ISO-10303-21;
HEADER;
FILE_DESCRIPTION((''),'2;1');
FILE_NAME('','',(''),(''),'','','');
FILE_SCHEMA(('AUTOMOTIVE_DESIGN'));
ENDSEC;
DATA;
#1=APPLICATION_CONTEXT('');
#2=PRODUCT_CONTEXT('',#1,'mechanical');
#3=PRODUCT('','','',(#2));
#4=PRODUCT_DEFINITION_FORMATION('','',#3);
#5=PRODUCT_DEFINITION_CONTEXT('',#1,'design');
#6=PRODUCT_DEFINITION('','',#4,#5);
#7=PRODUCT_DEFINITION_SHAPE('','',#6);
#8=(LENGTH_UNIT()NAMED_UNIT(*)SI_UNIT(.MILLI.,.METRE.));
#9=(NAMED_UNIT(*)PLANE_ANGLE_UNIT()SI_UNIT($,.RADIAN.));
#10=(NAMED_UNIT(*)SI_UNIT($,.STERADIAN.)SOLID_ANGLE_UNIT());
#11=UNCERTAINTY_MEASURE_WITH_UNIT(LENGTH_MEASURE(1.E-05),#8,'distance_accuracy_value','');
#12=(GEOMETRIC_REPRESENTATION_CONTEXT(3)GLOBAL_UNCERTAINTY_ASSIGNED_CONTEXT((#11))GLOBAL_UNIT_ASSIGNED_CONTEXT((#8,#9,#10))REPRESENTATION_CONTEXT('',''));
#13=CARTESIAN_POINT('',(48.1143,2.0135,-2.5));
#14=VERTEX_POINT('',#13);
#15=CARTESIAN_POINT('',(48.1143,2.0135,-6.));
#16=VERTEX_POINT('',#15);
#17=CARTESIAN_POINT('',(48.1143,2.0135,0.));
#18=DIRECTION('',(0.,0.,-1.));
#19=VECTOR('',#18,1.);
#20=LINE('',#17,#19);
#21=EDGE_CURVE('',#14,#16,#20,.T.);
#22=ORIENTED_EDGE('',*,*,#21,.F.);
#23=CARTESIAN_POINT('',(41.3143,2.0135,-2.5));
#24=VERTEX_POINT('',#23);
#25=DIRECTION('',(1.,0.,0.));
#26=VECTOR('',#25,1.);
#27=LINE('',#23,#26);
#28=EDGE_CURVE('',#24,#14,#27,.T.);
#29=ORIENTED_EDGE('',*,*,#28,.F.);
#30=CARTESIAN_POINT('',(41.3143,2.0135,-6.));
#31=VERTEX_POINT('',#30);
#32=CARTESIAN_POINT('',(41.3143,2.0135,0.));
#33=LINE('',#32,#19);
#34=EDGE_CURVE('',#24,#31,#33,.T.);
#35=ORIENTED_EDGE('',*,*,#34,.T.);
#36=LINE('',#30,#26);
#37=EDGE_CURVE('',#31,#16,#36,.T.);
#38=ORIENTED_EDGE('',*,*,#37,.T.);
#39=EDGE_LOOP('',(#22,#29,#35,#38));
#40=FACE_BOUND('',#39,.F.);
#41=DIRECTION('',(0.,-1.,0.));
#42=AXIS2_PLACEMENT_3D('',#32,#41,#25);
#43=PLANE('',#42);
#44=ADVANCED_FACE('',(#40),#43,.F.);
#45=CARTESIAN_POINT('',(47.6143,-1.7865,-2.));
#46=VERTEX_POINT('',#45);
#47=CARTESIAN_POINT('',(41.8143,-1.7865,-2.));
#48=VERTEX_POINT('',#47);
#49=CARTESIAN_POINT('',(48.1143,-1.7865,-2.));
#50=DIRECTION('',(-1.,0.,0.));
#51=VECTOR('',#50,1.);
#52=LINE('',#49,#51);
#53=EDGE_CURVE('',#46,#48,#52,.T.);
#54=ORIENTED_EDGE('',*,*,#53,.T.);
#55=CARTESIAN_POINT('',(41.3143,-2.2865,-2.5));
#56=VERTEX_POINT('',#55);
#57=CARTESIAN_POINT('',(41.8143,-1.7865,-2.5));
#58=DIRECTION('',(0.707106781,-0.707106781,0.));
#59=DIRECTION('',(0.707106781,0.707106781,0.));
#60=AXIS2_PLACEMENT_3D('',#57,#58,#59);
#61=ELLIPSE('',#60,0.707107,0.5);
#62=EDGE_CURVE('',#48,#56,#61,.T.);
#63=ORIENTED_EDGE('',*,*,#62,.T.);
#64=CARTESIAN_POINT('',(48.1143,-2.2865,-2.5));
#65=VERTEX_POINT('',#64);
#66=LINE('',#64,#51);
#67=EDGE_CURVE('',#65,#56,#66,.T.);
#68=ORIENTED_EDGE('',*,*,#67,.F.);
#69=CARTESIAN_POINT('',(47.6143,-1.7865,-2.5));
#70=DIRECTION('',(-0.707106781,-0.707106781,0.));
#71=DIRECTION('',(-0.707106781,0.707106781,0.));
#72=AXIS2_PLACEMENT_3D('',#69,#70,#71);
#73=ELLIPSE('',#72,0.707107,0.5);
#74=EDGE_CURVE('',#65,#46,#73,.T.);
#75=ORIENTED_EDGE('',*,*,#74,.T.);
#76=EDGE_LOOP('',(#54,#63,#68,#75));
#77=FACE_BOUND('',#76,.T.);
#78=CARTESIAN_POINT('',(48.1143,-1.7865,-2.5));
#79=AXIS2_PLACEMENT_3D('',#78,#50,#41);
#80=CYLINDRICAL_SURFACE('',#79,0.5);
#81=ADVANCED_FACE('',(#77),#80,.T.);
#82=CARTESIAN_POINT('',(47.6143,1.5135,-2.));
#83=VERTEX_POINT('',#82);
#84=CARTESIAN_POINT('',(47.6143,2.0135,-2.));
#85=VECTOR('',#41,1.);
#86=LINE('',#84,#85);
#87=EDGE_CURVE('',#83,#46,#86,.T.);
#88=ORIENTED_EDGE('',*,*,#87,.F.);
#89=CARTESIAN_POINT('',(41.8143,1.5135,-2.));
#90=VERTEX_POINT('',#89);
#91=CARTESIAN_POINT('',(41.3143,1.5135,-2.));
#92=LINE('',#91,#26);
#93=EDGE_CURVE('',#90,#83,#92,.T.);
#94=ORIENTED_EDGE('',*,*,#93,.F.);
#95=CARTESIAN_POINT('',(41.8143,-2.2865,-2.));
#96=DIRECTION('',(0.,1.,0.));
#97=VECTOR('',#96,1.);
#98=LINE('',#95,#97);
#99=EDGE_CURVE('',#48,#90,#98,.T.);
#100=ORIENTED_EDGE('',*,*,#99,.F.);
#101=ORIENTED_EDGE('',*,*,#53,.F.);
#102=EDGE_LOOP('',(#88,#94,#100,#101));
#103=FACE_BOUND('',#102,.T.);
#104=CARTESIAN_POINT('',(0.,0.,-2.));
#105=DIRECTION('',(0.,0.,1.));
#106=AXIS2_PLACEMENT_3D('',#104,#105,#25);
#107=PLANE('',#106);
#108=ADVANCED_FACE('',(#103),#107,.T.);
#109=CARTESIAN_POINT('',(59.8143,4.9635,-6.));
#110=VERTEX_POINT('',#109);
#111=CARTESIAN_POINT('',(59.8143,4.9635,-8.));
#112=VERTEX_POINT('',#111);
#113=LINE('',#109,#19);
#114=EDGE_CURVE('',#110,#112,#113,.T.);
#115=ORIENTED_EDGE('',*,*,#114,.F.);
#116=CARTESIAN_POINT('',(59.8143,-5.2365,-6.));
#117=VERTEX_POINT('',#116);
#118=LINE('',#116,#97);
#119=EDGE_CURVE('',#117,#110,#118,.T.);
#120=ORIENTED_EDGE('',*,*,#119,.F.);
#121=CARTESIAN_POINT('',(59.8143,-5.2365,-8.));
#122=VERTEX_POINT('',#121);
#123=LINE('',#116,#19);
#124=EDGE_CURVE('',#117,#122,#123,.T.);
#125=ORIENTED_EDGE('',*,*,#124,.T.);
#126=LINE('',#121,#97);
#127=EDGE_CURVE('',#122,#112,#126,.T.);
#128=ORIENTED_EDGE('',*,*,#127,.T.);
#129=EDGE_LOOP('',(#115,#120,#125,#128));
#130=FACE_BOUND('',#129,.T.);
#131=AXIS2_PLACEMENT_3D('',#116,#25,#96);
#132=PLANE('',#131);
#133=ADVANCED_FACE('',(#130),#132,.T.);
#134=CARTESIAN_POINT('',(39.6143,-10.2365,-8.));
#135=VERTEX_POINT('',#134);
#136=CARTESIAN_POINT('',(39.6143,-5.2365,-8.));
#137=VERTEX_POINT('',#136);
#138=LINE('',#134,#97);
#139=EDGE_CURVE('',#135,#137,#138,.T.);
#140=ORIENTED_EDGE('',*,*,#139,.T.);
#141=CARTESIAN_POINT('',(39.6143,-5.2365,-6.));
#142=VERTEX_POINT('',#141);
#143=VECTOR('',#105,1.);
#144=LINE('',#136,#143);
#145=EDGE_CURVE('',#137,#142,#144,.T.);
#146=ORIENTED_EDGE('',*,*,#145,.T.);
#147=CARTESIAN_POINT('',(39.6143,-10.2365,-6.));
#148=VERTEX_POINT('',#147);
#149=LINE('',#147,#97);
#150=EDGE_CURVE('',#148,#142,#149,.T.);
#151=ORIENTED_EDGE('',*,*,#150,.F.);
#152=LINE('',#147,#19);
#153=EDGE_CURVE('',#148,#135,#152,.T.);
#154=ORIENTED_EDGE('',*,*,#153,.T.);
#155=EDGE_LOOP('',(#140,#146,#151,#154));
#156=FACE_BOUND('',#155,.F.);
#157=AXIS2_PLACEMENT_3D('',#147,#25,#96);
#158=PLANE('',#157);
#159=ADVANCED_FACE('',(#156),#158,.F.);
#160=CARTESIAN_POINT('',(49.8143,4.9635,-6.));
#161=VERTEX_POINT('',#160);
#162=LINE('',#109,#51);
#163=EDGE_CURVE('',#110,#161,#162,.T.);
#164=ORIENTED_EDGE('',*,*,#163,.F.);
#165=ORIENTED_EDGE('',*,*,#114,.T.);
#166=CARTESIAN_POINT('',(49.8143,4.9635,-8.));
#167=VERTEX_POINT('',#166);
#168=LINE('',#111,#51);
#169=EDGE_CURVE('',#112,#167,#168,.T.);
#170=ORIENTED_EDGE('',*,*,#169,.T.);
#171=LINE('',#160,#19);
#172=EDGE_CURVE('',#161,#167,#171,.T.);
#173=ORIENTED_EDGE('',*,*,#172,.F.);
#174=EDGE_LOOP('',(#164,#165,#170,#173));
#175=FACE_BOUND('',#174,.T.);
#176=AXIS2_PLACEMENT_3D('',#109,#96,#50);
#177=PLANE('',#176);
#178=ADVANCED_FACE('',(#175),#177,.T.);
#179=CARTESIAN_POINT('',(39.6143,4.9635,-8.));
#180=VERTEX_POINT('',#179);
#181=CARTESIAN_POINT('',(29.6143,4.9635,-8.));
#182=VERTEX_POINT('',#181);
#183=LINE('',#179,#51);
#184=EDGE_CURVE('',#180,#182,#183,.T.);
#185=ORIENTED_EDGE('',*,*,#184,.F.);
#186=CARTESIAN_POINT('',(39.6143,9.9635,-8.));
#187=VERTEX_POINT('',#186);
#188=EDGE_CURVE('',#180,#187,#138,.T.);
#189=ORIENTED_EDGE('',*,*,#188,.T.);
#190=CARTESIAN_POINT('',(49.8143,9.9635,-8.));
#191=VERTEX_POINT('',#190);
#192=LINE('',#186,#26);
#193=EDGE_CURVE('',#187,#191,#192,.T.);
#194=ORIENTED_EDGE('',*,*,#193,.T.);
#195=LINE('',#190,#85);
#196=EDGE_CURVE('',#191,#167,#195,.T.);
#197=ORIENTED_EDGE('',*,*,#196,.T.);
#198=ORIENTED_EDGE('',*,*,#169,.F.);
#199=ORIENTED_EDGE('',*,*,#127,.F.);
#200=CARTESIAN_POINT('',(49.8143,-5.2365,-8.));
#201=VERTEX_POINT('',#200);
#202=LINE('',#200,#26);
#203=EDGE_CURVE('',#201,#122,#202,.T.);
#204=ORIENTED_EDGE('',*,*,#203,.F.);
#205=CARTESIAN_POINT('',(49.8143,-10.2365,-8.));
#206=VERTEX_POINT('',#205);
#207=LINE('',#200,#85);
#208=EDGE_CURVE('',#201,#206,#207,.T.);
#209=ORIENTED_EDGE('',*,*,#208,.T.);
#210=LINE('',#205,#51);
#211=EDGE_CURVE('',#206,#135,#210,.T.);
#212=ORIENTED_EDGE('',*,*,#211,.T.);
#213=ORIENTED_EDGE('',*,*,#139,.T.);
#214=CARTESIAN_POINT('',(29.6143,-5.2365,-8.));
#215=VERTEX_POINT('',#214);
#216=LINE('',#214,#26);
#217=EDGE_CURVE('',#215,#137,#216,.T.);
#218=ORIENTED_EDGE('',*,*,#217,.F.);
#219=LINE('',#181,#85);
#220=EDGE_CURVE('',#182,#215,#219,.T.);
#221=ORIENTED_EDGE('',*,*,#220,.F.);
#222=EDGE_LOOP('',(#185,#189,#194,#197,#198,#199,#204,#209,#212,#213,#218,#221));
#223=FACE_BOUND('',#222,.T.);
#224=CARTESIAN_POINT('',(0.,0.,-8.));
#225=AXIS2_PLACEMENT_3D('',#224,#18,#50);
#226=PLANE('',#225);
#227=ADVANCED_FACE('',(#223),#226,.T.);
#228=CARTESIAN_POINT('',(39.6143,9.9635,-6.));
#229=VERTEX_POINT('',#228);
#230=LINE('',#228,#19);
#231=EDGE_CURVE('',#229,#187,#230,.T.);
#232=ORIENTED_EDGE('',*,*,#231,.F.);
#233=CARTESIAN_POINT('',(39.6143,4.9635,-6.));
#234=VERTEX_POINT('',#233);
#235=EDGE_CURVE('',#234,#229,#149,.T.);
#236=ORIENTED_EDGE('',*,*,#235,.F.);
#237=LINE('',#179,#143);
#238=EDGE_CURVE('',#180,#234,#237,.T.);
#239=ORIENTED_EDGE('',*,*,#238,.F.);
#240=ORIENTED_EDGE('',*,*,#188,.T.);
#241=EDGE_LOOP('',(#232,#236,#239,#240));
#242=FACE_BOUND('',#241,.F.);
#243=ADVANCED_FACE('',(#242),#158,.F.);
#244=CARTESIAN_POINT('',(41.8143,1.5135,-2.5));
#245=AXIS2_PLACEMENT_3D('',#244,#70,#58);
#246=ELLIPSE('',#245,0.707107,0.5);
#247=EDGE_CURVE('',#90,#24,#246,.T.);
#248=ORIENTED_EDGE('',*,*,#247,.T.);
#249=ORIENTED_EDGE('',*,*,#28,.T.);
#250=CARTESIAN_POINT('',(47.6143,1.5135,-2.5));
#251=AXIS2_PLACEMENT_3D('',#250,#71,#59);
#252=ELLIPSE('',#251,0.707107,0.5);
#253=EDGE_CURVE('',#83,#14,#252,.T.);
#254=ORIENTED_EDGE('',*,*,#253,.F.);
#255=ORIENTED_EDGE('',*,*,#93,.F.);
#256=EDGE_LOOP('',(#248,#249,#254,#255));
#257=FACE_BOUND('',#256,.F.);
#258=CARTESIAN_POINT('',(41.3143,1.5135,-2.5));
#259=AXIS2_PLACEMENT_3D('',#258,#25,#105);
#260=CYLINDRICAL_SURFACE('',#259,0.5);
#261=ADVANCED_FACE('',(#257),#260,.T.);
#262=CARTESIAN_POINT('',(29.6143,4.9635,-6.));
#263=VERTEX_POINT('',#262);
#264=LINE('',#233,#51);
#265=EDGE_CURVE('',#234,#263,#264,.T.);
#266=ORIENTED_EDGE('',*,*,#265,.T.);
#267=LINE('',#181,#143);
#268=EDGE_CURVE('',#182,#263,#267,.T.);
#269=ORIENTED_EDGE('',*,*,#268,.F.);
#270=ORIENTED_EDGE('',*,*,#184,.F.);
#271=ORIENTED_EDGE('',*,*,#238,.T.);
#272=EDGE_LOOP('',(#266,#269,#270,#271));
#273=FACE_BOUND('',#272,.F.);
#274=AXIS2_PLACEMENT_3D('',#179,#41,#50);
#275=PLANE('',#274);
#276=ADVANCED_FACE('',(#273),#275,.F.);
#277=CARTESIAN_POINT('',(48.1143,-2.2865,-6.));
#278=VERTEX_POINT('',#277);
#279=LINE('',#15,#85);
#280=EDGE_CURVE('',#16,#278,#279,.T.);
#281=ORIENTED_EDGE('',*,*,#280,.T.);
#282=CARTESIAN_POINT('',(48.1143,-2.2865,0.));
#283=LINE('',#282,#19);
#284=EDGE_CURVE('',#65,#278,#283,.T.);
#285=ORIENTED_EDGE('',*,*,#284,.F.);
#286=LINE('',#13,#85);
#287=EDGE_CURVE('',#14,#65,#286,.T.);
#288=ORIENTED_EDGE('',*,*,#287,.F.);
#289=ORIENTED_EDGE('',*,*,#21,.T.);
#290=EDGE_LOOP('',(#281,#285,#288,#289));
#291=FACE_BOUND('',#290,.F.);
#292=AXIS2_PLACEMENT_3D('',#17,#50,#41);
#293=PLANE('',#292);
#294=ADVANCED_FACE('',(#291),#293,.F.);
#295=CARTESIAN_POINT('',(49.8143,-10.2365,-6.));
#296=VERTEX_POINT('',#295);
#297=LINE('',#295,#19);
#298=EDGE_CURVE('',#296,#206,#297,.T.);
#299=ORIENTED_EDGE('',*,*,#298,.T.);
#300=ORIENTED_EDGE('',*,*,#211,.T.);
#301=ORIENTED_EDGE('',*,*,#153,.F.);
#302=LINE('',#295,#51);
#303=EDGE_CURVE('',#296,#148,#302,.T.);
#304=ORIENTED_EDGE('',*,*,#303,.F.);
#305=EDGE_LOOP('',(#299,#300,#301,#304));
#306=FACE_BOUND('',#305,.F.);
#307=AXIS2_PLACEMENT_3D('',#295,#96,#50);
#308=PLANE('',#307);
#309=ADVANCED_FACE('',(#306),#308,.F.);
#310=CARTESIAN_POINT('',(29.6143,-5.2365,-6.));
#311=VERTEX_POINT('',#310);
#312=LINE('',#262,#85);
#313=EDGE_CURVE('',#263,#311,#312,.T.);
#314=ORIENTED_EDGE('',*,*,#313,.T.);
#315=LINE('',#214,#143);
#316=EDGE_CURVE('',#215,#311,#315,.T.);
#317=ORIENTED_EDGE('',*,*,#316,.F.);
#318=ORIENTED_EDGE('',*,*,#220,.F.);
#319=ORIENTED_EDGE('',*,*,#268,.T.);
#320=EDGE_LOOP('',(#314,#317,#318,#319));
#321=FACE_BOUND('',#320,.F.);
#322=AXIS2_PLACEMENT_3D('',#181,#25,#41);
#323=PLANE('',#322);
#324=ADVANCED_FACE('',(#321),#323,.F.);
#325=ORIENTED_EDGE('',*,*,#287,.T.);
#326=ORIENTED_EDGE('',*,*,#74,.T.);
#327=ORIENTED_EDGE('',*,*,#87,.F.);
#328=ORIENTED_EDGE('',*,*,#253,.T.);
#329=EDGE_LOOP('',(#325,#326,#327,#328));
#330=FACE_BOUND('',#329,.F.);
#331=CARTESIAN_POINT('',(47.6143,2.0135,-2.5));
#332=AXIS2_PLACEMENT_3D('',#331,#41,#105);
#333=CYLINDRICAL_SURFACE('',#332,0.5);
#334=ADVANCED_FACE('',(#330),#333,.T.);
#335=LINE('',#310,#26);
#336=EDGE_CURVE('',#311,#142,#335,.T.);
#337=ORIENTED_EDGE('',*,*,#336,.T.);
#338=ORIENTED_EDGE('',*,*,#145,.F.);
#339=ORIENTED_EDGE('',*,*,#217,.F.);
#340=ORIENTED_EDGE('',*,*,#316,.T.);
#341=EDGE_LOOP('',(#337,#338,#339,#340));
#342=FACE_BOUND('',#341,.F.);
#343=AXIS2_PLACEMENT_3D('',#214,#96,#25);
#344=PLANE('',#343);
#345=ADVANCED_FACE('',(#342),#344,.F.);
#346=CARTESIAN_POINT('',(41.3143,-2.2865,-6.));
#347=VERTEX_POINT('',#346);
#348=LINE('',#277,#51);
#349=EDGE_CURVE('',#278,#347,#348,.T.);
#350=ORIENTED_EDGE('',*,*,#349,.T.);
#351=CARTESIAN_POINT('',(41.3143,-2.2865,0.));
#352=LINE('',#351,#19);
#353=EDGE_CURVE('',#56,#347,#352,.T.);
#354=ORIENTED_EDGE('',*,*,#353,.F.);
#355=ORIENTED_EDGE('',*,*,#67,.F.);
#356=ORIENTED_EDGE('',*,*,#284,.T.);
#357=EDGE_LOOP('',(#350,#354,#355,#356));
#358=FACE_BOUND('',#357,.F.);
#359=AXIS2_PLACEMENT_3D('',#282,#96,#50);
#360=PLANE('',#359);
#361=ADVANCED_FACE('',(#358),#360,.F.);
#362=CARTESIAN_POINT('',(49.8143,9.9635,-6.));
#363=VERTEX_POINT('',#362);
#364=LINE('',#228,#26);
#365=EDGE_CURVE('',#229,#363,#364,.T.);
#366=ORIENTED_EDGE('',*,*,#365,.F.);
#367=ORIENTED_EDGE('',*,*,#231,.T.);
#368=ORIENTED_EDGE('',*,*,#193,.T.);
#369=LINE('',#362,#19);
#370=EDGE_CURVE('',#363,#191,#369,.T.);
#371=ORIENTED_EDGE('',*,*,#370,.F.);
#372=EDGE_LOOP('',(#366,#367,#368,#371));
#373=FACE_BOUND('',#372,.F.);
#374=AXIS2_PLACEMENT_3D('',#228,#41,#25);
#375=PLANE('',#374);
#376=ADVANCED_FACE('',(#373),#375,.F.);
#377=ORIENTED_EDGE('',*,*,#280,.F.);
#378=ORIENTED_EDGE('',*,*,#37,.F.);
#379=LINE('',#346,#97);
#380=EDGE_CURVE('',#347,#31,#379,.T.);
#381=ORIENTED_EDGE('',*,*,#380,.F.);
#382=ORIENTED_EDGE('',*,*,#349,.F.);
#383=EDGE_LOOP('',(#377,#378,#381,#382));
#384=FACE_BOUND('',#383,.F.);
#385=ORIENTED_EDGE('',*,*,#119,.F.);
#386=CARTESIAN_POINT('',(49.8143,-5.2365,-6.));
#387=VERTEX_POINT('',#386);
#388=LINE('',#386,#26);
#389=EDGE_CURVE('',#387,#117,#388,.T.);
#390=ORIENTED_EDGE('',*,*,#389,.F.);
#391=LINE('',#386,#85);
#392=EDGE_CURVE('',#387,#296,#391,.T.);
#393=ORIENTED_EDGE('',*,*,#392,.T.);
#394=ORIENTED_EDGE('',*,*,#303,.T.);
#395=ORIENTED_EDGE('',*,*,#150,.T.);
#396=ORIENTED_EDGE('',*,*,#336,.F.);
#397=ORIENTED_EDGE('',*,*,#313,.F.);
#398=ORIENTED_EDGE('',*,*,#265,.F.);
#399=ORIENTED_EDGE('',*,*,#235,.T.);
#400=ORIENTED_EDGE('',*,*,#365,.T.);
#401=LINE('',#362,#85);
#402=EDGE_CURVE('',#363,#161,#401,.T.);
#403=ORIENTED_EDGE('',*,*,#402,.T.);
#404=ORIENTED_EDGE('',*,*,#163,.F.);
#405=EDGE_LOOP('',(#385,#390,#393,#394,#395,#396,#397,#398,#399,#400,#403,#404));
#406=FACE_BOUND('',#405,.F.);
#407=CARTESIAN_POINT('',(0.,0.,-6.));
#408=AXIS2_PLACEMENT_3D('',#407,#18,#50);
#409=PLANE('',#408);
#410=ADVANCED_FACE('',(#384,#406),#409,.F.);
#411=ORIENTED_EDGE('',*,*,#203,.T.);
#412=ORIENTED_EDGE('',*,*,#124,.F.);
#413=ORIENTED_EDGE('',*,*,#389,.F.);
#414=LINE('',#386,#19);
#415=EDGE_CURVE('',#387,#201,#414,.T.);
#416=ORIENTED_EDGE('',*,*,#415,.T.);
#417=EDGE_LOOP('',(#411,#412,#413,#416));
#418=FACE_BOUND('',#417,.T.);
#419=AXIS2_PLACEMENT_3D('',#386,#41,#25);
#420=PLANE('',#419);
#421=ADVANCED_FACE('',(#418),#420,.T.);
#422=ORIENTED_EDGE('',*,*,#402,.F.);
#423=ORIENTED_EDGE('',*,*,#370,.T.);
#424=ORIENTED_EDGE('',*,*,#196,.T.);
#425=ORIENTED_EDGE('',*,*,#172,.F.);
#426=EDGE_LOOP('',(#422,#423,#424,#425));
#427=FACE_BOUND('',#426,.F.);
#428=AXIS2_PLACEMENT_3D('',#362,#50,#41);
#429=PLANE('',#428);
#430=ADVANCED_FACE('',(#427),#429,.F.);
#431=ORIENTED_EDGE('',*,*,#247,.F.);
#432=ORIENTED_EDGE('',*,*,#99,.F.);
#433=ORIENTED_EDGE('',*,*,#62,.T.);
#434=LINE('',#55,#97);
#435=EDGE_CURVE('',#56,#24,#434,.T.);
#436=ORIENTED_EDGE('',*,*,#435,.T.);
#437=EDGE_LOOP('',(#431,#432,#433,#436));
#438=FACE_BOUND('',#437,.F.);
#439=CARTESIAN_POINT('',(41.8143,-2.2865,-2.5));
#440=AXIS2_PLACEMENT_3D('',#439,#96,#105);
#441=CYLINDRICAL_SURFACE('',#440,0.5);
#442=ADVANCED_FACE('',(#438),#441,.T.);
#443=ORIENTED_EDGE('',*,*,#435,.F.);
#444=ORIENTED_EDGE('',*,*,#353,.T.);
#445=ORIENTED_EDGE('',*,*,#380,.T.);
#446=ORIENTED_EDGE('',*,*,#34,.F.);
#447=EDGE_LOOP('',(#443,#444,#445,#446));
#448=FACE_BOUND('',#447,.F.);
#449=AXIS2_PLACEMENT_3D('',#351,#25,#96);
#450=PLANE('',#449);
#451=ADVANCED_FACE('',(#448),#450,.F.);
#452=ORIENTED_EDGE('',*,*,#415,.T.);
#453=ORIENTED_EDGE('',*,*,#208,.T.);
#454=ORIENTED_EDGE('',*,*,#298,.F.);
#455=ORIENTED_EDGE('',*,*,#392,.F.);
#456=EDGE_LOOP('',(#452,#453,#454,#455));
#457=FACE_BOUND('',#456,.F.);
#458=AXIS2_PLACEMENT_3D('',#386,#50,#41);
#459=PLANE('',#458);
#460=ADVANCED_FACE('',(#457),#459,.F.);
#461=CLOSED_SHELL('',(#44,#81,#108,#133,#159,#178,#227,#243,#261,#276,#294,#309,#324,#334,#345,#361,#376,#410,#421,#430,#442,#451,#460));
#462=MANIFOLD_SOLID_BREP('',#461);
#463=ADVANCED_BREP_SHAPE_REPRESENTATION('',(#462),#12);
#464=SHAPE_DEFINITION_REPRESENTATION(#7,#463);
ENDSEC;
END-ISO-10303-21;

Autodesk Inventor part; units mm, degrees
ref_plane "YZ Plane" through (0, 0, 0) normal (1, 0, 0) x (0, 1, 0)
ref_plane "XZ Plane" through (0, 0, 0) normal (0, 1, 0) x (-1, 0, 0)
ref_plane "XY Plane" through (0, 0, 0) normal (0, 0, 1) x (1, 0, 0)
sketch "Skizze2" plane through (0, 0, 0) normal (0, 0, 1) x (1, 0, 0)
  line L0 (47.429, 1.628) -> (41.9536, 1.5965) projected
  line L1 (47.4645, -1.7719) -> (41.9641, -1.8346) projected
  line L2 (41.9168, 1.5642) -> (41.9437, -0.1365) projected
  line L3 (47.466, 0.6928) -> (47.4706, 0.1306) projected
  line L4 (48.1143, -2.2865) -> (41.3143, -2.2865)
  line L5 (41.3143, -2.2865) -> (41.3143, 2.0135)
  line L6 (41.3143, 2.0135) -> (48.1143, 2.0135)
  line L7 (48.1143, 2.0135) -> (48.1143, -2.2865)
  line L8 (48.1143, -2.2865) -> (41.3143, 2.0135) construction
  line L9 (41.3143, -2.2865) -> (48.1143, 2.0135) construction
  point P0 (0, 0)
  point P1 (44.7143, -0.1365)
  dimension "d0" = 6.8
  dimension "d1" = 4.3
extrude "Extrusion1" add sketch "Skizze2" against normal blind 6
sketch "Skizze4" plane through (0, 0, -6) normal (0, 0, -1) x (-1, 0, 0)
  line L0 (-48.1143, -2.2865) -> (-41.3143, -2.2865) construction
  line L1 (-41.3143, 2.0135) -> (-48.1143, 2.0135) construction
  line L2 (-41.3143, -2.2865) -> (-41.3143, 2.0135) construction
  line L3 (-48.1143, 2.0135) -> (-48.1143, -2.2865) construction
  line L4 (-49.8143, -10.2365) -> (-39.6143, -10.2365)
  line L5 (-39.6143, -10.2365) -> (-39.6143, 9.9635)
  line L6 (-39.6143, 9.9635) -> (-49.8143, 9.9635)
  line L7 (-49.8143, -10.2365) -> (-39.6143, 9.9635) construction
  line L8 (-39.6143, -10.2365) -> (-49.8143, 9.9635) construction
  line L9 (-59.8143, -5.2365) -> (-59.8143, 4.9635)
  line L10 (-29.6143, -5.2365) -> (-59.8143, 4.9635) construction
  line L11 (-59.8143, -5.2365) -> (-29.6143, 4.9635) construction
  line L12 (-41.3143, -5.2365) -> (-42.1391, -5.2365)
  line L13 (-49.8143, -5.2365) -> (-59.8143, -5.2365)
  line L14 (-59.8143, 4.9635) -> (-49.8143, 4.9635)
  line L15 (-42.1391, 4.9635) -> (-41.3143, 4.9635)
  line L16 (-49.8143, 9.9635) -> (-49.8143, 4.9635)
  line L17 (-49.8143, -5.2365) -> (-49.8143, -10.2365)
  point P0 (0, 0)
  point P1 (-44.7143, -0.1365)
  point P2 (-44.7143, -0.1365)
extrude "Extrusion2" add sketch "Skizze4" along normal blind 2
fillet "Rundung1" radius 1 4 edges at (44.7143, 2.0135, 0) (41.3143, -0.1365, 0) (48.1143, -0.1365, 0) (44.7143, -2.2865, 0)
sketch "Skizze5" plane through (0, 0, 0) normal (0, 0, 1) x (1, 0, 0)
  line L0 (49.8143, -10.2365) -> (39.6143, -10.2365) projected
  line L1 (49.8143, -5.2365) -> (49.8143, -10.2365) projected
  line L2 (59.8143, -5.2365) -> (49.8143, -5.2365) projected
  line L3 (59.8143, 4.9635) -> (59.8143, -5.2365) projected
  line L4 (49.8143, 4.9635) -> (59.8143, 4.9635) projected
  line L5 (49.8143, 9.9635) -> (49.8143, 4.9635) projected
  line L6 (39.6143, 9.9635) -> (49.8143, 9.9635) projected
  line L7 (39.6143, -10.2365) -> (39.6143, 9.9635) projected
  line L8 (48.1143, 2.0135) -> (48.1143, -2.2865) projected
  line L9 (48.1143, -2.2865) -> (41.3143, -2.2865) projected
  line L10 (41.3143, -2.2865) -> (41.3143, 2.0135) projected
  line L11 (41.3143, 2.0135) -> (48.1143, 2.0135) projected
  point P0 (0, 0)
extrude "Extrusion3" cut sketch "Skizze5" against normal blind 2 contours L8 L9 L10 L11
fillet "Rundung2" radius 0.5 4 edges at (44.7143, 2.0135, -2) (41.3143, -0.1365, -2) (44.7143, -2.2865, -2) (48.1143, -0.1365, -2)
sketch "Skizze6" plane through (0, 0, -8) normal (0, 0, -1) x (-1, 0, 0)
  line L0 (-49.8143, -10.2365) -> (-39.6143, -10.2365) projected
  line L1 (-39.6143, -10.2365) -> (-39.6143, 9.9635) projected
  line L2 (-39.6143, 9.9635) -> (-49.8143, 9.9635) projected
  line L3 (-49.8143, 9.9635) -> (-49.8143, 4.9635) projected
  line L4 (-49.8143, 4.9635) -> (-59.8143, 4.9635) projected
  line L5 (-59.8143, 4.9635) -> (-59.8143, -5.2365) projected
  line L6 (-59.8143, -5.2365) -> (-49.8143, -5.2365) projected
  line L7 (-49.8143, -5.2365) -> (-49.8143, -10.2365) projected
  line L8 (-39.6143, -10.2365) -> (-39.6143, 9.9635) projected
  line L9 (-39.6143, 4.9635) -> (-29.6143, 4.9635)
  line L10 (-29.6143, 4.9635) -> (-29.6143, -5.2365)
  line L11 (-29.6143, -5.2365) -> (-39.6143, -5.2365)
  line L12 (-39.6143, -5.2365) -> (-39.6143, 4.9635)
  point P0 (0, 0)
  dimension "d14" = 10
extrude "Extrusion4" add sketch "Skizze6" against normal up to surface (2 mm away) contours L1 L9 L10 L11
properties part number "palm_plate" material "Nylon 6/6"
